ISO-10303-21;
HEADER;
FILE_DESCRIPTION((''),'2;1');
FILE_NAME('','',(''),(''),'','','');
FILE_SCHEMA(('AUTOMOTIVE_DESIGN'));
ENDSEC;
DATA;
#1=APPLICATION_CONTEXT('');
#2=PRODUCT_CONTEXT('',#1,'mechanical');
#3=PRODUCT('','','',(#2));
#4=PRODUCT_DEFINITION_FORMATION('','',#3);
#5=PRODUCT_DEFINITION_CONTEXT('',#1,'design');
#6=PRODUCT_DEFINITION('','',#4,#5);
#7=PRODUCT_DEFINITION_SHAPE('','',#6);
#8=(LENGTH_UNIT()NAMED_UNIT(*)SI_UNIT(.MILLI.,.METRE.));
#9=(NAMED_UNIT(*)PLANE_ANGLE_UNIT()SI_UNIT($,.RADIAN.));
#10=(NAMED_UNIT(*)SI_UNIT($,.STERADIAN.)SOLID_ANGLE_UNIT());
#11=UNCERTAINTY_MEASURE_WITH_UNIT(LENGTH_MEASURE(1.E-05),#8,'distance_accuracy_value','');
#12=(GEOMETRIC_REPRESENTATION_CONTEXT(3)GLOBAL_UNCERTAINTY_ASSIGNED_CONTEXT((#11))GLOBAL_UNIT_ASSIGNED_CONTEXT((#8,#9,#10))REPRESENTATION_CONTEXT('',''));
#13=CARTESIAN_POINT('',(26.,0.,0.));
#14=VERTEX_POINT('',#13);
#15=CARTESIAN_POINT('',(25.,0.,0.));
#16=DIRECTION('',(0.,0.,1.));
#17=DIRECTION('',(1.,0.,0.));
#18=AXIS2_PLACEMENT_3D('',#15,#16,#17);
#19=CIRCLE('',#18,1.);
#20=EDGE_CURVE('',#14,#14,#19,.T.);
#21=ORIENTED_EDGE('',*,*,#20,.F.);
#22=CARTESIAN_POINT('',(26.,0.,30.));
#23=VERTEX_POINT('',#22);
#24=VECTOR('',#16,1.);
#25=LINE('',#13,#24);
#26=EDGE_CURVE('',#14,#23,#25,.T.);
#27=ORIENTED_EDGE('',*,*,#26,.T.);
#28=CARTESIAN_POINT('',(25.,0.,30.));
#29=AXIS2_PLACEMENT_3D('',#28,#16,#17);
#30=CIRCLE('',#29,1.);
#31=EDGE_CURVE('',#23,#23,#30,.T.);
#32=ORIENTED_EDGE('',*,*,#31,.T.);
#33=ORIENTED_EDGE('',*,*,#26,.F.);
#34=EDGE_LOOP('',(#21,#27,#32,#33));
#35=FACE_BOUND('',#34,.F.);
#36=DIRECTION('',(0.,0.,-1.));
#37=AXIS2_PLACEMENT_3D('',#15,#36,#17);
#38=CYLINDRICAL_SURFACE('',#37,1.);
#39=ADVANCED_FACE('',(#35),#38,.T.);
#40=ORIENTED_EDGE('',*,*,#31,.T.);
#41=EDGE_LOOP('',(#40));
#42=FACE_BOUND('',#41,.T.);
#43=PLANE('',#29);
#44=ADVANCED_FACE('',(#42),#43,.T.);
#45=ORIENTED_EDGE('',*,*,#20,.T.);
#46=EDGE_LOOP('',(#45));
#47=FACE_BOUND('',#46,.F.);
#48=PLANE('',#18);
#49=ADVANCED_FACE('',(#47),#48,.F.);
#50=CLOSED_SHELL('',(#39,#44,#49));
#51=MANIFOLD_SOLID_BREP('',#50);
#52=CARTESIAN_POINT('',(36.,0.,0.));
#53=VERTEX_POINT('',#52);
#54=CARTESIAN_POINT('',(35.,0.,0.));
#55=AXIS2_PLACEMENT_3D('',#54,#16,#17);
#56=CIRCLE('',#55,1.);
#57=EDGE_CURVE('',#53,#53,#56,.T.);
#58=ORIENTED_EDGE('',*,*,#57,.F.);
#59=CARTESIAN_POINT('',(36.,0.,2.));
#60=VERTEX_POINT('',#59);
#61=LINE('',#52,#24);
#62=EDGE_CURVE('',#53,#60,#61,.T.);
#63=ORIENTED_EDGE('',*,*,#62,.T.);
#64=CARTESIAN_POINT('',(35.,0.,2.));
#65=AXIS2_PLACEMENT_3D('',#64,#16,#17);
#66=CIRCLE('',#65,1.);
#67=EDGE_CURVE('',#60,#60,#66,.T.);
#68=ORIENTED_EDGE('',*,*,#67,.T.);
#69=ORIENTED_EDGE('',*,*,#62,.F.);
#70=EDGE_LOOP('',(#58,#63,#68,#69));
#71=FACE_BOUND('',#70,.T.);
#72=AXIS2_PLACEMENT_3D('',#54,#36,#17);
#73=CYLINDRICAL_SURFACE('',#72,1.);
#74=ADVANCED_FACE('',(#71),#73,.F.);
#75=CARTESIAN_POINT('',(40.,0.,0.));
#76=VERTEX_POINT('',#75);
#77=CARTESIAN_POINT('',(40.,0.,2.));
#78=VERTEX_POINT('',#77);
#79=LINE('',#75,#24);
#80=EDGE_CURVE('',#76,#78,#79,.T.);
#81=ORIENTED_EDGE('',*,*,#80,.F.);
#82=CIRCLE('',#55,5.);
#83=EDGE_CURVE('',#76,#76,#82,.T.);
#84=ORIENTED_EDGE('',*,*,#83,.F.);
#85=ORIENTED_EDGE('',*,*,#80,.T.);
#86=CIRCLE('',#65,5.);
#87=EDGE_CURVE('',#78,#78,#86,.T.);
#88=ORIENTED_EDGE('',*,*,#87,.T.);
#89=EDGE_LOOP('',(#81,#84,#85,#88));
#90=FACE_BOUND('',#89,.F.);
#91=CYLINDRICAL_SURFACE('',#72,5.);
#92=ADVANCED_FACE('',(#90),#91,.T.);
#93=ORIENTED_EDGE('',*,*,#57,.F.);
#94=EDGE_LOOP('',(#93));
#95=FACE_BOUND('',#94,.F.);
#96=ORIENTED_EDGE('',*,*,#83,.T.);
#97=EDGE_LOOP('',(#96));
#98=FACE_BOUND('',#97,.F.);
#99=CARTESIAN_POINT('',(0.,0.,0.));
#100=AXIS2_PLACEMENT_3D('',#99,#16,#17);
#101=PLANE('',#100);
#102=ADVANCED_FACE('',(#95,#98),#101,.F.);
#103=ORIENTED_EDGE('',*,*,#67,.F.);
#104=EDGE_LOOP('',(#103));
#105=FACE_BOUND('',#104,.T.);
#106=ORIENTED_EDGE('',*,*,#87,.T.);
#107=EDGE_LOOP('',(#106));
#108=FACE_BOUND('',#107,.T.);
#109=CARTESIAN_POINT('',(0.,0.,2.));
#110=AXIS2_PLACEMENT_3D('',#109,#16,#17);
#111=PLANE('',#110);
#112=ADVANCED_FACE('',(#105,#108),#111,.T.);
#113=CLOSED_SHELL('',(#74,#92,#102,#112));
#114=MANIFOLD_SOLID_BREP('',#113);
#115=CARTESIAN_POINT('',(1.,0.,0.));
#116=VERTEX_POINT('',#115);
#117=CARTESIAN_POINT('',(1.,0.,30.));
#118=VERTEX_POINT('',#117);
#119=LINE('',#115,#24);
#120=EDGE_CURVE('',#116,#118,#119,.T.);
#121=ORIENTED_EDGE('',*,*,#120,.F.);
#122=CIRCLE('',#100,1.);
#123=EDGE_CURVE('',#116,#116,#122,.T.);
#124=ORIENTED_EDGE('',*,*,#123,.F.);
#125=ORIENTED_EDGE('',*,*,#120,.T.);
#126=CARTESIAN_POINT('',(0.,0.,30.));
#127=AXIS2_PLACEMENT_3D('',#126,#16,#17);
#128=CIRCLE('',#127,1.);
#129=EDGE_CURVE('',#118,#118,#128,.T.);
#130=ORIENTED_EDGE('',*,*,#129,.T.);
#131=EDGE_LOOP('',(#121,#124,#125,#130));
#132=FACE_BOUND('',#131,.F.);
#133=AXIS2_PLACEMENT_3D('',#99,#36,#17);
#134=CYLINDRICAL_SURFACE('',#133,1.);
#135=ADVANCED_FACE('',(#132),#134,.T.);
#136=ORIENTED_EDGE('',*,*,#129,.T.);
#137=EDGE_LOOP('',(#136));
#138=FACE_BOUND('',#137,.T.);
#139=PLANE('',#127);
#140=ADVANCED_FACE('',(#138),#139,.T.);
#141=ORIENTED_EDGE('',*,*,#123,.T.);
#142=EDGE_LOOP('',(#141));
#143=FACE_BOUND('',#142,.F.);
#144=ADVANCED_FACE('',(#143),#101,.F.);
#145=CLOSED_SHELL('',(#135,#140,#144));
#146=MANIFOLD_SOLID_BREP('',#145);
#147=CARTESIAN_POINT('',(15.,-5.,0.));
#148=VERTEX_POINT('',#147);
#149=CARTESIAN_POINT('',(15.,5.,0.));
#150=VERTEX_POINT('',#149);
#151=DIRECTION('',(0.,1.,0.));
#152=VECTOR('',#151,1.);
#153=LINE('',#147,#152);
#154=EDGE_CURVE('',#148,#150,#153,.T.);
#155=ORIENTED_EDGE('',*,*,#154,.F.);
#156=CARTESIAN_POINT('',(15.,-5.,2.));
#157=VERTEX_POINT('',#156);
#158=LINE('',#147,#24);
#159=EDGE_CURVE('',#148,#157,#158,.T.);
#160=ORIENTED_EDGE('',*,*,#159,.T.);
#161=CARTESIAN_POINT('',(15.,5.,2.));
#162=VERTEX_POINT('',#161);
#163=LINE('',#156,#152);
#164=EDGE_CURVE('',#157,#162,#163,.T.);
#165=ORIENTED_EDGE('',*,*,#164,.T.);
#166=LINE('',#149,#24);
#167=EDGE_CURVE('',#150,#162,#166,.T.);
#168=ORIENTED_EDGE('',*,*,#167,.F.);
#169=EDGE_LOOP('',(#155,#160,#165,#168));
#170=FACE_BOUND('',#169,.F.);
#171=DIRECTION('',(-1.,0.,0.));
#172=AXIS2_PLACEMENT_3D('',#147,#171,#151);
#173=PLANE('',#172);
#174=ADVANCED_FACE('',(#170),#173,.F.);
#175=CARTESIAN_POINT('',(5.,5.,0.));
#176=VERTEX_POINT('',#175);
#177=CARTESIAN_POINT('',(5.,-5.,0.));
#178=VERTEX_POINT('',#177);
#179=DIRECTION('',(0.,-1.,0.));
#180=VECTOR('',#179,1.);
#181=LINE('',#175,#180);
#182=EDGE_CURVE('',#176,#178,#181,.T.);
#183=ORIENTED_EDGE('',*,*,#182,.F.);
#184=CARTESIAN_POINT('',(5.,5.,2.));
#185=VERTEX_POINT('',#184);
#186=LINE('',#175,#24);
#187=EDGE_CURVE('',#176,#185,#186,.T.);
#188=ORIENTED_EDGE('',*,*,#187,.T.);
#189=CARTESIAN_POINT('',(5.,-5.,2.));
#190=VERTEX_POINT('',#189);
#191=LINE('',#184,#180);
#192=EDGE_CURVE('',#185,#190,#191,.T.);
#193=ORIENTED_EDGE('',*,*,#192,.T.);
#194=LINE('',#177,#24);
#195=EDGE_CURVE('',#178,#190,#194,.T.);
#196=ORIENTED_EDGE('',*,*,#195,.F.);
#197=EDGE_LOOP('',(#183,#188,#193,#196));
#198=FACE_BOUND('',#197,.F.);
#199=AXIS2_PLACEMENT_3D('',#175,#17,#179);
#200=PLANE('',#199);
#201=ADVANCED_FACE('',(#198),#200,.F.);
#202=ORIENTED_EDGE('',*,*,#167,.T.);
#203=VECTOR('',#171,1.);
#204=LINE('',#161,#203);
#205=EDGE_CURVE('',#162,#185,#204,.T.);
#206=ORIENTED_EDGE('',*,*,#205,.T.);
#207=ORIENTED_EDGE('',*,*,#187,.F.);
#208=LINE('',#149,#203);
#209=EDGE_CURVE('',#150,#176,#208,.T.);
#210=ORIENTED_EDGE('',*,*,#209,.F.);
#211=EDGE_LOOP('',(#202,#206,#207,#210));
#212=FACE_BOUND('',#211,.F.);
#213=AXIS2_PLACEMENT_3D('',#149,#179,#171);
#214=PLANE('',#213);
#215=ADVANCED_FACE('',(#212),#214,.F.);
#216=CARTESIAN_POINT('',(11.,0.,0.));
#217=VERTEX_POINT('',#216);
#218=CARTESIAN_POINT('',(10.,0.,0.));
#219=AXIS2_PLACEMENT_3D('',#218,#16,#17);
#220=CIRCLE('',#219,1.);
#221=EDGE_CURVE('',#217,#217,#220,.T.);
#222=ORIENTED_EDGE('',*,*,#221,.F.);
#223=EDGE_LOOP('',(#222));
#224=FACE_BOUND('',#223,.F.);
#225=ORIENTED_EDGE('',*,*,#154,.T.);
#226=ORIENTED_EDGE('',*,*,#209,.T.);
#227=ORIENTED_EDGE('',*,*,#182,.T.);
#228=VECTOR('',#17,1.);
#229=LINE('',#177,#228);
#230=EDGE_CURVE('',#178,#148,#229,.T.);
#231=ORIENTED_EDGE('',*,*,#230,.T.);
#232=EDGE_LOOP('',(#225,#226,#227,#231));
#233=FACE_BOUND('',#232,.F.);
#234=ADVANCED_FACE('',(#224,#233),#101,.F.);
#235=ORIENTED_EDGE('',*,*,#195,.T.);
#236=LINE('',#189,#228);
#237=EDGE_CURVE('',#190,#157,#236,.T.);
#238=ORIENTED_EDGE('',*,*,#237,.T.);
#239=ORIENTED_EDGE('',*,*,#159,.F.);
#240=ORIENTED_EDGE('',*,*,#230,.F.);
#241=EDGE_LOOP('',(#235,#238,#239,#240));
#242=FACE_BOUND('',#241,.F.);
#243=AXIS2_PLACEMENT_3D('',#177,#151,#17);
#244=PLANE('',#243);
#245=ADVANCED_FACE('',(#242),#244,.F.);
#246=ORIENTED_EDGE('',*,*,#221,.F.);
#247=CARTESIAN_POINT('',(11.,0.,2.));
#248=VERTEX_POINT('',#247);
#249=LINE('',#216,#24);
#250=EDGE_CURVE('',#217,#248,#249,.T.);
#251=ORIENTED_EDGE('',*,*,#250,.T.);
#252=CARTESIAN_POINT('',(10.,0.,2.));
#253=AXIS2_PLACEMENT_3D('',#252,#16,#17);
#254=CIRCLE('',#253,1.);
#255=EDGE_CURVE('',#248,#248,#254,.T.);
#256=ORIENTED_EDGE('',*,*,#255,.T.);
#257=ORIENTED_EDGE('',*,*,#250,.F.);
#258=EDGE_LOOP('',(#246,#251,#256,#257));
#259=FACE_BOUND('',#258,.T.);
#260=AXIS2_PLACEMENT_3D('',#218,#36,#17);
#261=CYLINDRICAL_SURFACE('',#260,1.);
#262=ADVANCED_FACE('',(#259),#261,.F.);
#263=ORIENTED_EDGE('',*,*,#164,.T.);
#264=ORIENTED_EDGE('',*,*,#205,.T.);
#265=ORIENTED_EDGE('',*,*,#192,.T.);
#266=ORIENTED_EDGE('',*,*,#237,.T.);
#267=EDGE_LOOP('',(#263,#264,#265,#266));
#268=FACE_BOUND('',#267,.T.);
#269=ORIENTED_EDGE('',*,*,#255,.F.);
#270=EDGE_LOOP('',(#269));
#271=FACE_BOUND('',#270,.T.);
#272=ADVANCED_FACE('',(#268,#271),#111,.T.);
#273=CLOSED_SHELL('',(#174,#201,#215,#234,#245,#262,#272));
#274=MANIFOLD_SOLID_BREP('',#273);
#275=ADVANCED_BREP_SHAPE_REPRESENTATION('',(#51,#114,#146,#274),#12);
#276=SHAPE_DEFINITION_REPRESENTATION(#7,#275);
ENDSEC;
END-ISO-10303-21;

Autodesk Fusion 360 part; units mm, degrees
sketch "スケッチ1" plane through (0, 0, 0) normal (0, 0, 1) x (1, 0, 0)
  circle A0 centre (0, 0) radius 1
  circle A1 centre (35, 0) radius 5
  circle A2 centre (35, 0) radius 1
  line L0 (15, 5) -> (5, 5)
  line L1 (5, 5) -> (5, -5)
  line L2 (5, -5) -> (15, -5)
  line L3 (15, -5) -> (15, 5)
  line L4 (15, 5) -> (5, -5) construction
  line L5 (5, 5) -> (15, -5) construction
  circle A3 centre (10, 0) radius 1
  point P0 (10, 0)
extrude "押し出し1" add sketch "スケッチ1" along normal blind 2 contours A1 makes body 1 in component "円盤"
extrude "押し出し1'" add sketch "スケッチ1" along normal blind 30 separate body contours A0 makes body 2 in component "軸"
extrude "押し出し1''" add sketch "スケッチ1" along normal blind 2 separate body contours L0 L1 L2 L3 makes body 3 in component "四角"
component "円盤" placed x (1, 0, 0) y (0, 1, 0) z (0, 0, 1) at (0, 0, 0)
component "軸" placed x (1, 0, 0) y (0, 1, 0) z (0, 0, 1) at (0, 0, 0)
component "四角" placed x (1, 0, 0) y (0, 1, 0) z (0, 0, 1) at (0, 0, 0)
component "軸" placed x (1, 0, 0) y (0, 1, 0) z (0, 0, 1) at (25, 0, 0)
